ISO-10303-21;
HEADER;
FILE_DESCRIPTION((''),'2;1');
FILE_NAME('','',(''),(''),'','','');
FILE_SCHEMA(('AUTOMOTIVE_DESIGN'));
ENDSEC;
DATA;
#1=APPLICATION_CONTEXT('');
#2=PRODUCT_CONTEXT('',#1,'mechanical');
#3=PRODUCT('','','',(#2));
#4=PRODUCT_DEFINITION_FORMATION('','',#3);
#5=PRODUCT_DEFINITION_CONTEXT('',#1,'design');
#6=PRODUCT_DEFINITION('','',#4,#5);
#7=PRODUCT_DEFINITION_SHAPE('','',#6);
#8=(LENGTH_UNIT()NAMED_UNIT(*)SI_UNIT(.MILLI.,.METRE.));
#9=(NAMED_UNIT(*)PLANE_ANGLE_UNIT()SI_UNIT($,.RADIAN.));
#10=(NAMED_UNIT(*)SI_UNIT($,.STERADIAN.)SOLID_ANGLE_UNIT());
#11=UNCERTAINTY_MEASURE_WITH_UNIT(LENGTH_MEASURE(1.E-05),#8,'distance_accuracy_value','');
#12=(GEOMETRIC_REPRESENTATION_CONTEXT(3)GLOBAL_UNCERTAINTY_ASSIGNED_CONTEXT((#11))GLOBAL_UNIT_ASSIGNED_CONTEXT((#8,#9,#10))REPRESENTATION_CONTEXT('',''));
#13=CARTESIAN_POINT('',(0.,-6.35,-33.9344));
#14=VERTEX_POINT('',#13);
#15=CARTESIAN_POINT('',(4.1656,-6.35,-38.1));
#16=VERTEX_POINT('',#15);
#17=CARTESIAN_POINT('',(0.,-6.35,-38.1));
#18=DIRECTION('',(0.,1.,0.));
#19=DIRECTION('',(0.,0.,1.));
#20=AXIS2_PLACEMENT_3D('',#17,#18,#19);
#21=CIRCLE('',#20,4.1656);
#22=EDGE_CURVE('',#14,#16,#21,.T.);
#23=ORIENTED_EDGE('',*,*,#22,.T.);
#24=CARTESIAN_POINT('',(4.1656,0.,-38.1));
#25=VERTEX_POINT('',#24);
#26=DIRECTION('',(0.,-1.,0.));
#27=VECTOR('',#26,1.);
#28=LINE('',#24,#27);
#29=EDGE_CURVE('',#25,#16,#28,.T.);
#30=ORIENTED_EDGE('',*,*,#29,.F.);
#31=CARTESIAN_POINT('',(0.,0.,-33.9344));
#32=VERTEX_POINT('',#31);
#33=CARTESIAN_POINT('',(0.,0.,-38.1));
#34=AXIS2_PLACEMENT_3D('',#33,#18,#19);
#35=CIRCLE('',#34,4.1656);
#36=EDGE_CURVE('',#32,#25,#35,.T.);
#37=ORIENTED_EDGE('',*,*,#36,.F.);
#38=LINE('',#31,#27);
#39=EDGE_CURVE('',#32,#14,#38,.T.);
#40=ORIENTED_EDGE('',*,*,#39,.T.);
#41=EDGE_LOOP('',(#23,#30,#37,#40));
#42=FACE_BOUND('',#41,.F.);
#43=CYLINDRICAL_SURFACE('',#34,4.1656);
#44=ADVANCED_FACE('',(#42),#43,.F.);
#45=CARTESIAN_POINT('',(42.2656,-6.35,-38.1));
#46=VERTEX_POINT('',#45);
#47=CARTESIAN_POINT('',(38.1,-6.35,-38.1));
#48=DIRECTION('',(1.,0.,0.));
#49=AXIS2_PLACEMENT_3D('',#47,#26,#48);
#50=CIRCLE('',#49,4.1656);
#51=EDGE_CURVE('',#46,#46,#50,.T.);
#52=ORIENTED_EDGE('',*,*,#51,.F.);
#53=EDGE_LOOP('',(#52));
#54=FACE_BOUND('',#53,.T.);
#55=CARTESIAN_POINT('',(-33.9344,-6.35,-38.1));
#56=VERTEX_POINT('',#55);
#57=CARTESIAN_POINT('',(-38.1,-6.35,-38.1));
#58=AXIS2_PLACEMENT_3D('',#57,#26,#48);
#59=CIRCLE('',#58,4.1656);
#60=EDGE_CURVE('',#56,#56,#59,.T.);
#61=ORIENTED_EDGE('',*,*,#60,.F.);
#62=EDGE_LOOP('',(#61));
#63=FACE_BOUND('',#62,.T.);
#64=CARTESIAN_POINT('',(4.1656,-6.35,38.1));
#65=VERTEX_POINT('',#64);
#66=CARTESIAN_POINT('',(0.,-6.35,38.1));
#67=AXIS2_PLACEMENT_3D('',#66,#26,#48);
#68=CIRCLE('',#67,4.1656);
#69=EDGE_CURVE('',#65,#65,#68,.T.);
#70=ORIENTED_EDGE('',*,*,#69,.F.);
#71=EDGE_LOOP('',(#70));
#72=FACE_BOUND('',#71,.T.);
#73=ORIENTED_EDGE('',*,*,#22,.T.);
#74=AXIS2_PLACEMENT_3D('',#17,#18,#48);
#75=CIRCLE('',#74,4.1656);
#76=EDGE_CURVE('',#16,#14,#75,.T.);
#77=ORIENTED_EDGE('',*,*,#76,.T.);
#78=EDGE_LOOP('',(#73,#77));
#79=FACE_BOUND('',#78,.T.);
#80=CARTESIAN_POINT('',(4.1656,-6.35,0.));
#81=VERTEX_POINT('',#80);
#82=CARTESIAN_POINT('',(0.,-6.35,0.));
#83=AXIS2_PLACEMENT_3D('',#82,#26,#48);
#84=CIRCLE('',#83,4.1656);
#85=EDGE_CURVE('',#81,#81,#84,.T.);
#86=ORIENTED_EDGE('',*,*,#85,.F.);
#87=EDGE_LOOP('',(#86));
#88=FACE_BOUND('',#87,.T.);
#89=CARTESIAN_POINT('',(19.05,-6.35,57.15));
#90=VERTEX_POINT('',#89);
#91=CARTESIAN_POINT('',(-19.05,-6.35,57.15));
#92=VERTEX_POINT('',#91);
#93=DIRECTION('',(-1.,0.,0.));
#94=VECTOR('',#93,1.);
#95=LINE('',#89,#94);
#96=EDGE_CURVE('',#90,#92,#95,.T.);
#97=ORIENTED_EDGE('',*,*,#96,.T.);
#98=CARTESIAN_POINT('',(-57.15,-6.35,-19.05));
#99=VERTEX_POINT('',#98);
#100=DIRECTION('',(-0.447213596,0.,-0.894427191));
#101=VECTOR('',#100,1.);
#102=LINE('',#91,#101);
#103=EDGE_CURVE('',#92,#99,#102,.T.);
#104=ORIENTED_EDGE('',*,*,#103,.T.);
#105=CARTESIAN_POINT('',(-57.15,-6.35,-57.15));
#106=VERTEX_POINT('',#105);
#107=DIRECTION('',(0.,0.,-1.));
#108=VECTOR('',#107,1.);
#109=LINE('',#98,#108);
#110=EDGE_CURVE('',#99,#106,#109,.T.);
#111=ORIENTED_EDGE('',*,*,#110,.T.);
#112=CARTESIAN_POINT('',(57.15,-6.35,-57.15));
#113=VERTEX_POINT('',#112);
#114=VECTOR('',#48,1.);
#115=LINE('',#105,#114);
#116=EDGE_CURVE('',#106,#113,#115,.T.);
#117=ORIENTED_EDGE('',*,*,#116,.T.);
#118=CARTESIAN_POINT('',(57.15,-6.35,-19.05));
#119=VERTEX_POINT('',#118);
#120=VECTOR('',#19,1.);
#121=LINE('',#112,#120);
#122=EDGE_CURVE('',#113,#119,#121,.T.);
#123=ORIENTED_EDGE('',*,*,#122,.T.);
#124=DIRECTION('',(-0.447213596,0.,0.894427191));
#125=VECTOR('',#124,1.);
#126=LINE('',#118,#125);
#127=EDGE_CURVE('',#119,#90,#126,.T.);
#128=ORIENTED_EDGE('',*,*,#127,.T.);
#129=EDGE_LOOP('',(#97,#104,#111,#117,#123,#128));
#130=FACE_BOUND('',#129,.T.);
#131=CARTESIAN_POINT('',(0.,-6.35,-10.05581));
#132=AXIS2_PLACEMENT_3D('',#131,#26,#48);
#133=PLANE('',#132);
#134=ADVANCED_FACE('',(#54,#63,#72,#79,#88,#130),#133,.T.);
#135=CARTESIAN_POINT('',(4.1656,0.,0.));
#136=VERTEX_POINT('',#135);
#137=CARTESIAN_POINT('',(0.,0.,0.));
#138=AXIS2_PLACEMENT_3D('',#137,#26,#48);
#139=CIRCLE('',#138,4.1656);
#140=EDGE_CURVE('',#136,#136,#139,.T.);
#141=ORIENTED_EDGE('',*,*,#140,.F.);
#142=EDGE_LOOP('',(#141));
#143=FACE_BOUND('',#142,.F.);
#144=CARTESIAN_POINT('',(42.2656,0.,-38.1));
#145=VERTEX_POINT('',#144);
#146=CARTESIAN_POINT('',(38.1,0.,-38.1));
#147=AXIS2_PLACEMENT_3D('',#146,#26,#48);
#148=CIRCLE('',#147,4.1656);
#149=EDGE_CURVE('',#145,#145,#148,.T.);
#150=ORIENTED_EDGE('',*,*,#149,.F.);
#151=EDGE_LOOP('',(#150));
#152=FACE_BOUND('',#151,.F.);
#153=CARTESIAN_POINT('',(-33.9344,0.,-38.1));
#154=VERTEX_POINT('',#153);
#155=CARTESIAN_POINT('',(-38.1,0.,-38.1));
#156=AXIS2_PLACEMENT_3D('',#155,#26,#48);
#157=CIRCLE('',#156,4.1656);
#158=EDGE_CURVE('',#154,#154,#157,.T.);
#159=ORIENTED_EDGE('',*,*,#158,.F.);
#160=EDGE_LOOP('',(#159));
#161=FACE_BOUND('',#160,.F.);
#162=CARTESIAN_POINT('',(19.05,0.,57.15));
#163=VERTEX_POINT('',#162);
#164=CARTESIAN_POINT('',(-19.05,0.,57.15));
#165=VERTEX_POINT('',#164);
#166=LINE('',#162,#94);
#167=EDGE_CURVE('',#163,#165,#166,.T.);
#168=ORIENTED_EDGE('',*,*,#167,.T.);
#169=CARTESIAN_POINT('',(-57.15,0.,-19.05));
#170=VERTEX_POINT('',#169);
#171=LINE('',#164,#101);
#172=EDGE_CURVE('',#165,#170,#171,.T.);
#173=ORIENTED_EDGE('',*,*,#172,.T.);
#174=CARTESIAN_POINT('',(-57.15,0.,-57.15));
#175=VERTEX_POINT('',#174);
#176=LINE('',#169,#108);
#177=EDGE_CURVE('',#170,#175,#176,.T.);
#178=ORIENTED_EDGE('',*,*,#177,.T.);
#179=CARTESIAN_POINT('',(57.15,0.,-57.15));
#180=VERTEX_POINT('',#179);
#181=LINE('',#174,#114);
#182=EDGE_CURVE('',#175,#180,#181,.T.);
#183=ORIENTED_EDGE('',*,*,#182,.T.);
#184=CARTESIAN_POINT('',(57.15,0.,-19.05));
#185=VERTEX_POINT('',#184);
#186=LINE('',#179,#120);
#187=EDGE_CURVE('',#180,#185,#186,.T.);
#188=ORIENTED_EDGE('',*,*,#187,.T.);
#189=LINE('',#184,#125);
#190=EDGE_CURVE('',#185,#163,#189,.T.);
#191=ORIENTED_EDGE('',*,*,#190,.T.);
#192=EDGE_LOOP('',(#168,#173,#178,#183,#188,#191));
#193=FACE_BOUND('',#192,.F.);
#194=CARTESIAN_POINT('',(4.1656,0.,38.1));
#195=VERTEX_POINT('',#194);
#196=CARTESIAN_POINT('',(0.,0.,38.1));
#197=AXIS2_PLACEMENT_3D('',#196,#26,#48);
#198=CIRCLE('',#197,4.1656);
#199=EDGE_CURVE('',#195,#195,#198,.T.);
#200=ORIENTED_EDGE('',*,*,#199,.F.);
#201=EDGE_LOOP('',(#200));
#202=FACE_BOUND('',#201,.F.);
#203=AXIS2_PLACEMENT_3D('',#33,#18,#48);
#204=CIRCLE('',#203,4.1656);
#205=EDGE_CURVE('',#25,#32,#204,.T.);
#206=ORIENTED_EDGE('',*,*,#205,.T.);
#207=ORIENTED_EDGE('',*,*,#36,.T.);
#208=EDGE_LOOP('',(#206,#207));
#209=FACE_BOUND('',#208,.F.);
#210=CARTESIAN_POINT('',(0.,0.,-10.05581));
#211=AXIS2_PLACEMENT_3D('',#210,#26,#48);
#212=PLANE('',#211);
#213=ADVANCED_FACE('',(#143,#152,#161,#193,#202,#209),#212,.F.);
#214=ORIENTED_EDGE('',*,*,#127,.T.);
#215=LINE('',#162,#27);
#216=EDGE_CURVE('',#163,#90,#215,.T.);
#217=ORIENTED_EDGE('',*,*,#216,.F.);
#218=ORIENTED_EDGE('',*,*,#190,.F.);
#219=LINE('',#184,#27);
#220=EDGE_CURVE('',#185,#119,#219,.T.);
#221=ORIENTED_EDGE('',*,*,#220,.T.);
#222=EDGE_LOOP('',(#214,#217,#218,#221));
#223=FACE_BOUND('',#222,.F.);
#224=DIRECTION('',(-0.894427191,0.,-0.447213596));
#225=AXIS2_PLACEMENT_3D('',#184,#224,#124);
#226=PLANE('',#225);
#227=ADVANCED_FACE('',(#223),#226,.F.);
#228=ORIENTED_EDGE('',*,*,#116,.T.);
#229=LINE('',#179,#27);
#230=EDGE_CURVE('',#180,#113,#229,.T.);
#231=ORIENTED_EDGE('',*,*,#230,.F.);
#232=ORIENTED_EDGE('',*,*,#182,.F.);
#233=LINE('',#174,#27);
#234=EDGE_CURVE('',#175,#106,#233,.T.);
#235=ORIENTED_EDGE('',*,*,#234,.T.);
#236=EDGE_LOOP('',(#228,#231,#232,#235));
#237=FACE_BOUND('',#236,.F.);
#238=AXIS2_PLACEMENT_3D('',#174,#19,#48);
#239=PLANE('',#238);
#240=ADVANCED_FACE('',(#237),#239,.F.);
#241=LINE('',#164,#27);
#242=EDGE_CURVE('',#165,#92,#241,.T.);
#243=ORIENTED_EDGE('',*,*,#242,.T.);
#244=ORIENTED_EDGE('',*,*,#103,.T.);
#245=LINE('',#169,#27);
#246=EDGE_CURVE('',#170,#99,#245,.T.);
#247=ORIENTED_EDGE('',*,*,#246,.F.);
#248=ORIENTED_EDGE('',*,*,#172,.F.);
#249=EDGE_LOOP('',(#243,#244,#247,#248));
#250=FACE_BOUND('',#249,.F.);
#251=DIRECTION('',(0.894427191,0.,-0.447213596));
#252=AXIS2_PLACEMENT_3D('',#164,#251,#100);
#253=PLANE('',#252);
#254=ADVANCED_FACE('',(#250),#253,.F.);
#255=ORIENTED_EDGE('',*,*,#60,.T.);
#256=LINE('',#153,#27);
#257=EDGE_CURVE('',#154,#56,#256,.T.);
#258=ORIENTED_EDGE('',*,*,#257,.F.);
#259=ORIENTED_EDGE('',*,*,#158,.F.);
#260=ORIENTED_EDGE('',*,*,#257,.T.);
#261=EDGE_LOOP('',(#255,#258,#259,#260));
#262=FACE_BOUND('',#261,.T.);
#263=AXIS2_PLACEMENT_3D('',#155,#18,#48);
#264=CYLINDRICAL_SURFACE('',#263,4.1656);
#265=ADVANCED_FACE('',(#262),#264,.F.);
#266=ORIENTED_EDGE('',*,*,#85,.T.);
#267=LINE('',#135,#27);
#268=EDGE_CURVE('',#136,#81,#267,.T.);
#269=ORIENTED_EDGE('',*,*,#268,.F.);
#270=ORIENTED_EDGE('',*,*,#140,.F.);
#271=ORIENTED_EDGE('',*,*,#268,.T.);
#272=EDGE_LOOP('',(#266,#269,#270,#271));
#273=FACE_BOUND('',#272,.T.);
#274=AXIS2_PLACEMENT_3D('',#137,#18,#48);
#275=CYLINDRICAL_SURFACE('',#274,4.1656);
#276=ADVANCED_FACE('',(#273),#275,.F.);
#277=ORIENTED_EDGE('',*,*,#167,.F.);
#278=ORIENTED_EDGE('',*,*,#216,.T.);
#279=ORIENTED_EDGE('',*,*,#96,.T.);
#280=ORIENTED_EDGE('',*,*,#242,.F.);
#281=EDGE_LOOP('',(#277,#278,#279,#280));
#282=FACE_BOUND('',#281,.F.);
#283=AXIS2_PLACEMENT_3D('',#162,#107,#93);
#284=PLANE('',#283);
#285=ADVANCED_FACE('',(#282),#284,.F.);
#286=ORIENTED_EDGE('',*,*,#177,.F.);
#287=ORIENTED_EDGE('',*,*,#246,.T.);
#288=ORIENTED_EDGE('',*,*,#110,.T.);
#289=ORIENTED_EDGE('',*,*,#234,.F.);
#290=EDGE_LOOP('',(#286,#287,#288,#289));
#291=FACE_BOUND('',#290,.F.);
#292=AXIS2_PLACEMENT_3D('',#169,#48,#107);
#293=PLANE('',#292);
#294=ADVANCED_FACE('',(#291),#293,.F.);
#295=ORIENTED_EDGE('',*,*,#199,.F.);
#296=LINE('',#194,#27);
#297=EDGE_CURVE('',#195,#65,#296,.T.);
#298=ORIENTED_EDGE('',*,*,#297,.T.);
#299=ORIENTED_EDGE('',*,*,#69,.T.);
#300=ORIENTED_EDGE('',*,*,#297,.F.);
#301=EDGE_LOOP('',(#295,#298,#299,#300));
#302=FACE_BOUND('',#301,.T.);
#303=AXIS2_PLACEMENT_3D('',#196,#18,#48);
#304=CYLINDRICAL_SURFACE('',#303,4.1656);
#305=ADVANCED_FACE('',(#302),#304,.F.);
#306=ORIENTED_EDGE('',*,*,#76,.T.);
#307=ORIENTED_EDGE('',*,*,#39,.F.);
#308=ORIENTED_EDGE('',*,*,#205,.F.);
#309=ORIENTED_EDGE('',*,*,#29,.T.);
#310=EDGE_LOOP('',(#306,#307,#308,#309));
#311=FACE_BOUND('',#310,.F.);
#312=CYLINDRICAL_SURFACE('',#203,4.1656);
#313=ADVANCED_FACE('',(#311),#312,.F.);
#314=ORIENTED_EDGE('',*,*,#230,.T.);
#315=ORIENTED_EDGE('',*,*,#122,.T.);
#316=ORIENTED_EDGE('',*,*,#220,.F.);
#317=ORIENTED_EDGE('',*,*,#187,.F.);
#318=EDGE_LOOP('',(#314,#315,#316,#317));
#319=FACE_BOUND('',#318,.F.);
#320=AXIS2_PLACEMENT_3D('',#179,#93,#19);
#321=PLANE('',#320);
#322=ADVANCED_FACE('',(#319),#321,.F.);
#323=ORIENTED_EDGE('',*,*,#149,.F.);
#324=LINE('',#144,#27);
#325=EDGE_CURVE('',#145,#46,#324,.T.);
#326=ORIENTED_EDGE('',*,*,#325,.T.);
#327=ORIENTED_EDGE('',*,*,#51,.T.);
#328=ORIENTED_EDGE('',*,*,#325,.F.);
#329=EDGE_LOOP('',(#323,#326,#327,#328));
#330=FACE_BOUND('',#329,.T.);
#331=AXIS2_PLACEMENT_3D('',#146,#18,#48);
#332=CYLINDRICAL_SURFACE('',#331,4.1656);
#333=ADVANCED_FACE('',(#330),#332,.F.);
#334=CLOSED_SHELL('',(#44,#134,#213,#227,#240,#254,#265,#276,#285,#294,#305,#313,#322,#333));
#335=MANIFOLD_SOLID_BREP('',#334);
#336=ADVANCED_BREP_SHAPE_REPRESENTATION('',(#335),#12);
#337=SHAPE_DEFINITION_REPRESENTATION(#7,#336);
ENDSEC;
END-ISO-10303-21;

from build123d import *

# Parameters (mm, degrees)
F0_R     = 4.1656
F1_DEPTH = 6.35


with BuildPart() as f1:
    # F0 (on Front) → F1 (new body)
    with BuildSketch(Plane.XZ):
        Polygon((-57.15, -57.15), (57.15, -57.15), (57.15, -19.05), (19.05, 57.15), (0, 57.15), (-19.05, 57.15), (-57.15, -19.05), align=None)
        with Locations((-38.1, -38.1)):
            Circle(F0_R, mode=Mode.SUBTRACT)
        with BuildLine():
            ThreePointArc((0, -33.9344), (2.9455240077, -35.1544759923), (4.1656, -38.1))
            ThreePointArc((4.1656, -38.1), (-2.9455240077, -41.0455240077), (0, -33.9344))
        make_face(mode=Mode.SUBTRACT)
        with Locations((38.1, -38.1)):
            Circle(F0_R, mode=Mode.SUBTRACT)
        Circle(F0_R, mode=Mode.SUBTRACT)
        with Locations((0, 38.1)):
            Circle(F0_R, mode=Mode.SUBTRACT)
    extrude(amount=F1_DEPTH)


solid = f1.part
